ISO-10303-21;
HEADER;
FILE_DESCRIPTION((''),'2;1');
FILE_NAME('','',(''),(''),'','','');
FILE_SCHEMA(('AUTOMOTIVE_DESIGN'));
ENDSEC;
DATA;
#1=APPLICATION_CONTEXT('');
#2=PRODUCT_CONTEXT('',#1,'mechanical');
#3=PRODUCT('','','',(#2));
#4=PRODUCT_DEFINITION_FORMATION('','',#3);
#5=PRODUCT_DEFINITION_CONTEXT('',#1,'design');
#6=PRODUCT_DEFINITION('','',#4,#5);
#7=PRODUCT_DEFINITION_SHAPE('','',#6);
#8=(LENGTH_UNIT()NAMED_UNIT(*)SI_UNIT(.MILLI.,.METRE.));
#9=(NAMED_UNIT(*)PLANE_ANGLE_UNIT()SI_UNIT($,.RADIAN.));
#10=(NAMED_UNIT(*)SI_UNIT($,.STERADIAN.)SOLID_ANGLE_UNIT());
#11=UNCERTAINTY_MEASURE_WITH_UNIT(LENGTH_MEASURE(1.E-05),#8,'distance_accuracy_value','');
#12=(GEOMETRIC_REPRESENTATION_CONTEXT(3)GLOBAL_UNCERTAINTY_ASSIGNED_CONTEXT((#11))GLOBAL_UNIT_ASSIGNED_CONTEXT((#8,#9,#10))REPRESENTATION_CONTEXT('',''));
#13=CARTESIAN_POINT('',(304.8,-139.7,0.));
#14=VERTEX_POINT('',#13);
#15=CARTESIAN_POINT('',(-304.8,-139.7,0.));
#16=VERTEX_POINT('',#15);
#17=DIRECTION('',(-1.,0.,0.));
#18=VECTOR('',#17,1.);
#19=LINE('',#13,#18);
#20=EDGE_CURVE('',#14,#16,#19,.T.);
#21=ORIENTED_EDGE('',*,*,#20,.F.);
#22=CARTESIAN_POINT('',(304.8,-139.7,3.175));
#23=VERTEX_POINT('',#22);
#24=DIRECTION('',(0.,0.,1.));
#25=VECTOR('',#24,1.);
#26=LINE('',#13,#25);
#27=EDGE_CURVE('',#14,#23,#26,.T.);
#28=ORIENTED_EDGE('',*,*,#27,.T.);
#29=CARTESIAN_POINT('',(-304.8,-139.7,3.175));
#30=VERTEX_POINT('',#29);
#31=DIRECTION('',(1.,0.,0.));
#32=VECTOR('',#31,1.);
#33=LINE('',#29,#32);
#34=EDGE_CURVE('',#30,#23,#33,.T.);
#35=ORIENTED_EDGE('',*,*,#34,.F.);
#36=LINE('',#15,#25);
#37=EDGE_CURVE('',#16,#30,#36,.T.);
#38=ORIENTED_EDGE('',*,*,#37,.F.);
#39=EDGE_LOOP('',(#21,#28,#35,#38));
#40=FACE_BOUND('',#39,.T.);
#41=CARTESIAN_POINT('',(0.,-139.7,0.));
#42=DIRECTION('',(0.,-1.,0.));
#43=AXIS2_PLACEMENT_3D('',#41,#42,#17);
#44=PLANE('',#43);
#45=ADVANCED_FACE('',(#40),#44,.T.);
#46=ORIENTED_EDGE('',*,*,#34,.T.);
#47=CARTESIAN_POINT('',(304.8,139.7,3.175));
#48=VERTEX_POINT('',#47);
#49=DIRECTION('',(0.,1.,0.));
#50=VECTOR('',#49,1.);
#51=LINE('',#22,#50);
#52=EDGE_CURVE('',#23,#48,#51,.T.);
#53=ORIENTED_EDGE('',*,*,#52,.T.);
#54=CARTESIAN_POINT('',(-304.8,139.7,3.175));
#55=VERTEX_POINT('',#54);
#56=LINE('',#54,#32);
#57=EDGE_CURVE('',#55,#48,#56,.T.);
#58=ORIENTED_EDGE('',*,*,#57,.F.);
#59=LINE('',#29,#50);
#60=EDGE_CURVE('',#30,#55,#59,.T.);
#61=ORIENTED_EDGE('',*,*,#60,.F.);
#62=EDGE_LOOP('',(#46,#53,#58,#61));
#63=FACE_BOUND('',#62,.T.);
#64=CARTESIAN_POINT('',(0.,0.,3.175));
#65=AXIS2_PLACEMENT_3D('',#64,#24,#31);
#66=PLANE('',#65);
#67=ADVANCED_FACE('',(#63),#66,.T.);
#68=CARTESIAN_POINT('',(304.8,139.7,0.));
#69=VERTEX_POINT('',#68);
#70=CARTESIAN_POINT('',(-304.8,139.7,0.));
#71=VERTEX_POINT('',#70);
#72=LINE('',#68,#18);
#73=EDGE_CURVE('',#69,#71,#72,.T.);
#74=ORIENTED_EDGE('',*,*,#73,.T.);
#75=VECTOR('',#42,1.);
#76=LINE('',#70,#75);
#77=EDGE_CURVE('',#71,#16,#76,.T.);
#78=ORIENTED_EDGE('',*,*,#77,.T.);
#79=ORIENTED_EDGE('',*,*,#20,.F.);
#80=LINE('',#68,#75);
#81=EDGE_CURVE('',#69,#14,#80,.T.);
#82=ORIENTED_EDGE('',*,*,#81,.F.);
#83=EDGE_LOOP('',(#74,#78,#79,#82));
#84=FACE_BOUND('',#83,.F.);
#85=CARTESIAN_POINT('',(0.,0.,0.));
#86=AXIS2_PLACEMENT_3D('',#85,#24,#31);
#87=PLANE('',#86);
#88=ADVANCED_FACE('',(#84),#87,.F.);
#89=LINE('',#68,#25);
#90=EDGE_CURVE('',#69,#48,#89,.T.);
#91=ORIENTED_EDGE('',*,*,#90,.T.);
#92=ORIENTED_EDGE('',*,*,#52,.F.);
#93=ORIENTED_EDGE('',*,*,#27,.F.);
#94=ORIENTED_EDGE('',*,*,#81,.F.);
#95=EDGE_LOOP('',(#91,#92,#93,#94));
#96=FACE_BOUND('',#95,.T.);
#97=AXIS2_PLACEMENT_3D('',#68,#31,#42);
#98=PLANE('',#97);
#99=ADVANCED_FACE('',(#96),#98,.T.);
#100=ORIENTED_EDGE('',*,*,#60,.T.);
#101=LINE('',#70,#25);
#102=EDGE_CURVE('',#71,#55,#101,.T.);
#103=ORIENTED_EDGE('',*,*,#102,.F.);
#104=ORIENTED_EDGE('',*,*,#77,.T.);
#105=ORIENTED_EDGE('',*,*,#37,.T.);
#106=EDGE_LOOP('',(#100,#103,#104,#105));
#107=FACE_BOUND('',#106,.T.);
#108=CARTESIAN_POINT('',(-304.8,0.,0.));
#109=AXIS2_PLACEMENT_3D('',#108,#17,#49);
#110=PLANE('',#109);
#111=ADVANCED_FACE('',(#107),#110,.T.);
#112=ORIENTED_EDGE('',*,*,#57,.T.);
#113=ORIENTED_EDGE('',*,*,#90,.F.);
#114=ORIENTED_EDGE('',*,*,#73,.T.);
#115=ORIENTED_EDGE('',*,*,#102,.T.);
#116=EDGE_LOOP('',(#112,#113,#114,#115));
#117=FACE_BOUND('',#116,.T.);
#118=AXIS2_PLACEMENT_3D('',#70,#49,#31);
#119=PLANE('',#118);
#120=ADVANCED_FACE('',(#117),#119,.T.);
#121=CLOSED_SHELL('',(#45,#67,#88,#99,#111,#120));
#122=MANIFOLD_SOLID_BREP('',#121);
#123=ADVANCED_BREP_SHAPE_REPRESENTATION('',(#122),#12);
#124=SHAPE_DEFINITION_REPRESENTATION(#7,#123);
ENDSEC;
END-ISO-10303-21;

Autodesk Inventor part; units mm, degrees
ref_plane "YZ Plane" through (0, 0, 0) normal (1, 0, 0) x (0, 1, 0)
ref_plane "XZ Plane" through (0, 0, 0) normal (0, 1, 0) x (-1, 0, 0)
ref_plane "XY Plane" through (0, 0, 0) normal (0, 0, 1) x (1, 0, 0)
sketch "Sketch1" plane through (0, 0, 0) normal (0, 0, 1) x (1, 0, 0)
  line L0 (-426.72, 0) -> (426.72, 0) projected
  line L1 (0, -195.58) -> (0, 195.58) projected
  line L2 (-304.8, 139.7) -> (304.8, 139.7)
  line L3 (304.8, 139.7) -> (304.8, -139.7)
  line L4 (304.8, -139.7) -> (-304.8, -139.7)
  line L5 (-304.8, -139.7) -> (-304.8, 139.7)
  point P0 (0, 0)
  point P1 (0, 139.7)
  point P2 (-304.8, 0)
  dimension "d0" = 609.6
  dimension "d1" = 279.4
extrude "Extrusion1" add sketch "Sketch1" along normal blind 3.175
properties part number "front bottom panel"
